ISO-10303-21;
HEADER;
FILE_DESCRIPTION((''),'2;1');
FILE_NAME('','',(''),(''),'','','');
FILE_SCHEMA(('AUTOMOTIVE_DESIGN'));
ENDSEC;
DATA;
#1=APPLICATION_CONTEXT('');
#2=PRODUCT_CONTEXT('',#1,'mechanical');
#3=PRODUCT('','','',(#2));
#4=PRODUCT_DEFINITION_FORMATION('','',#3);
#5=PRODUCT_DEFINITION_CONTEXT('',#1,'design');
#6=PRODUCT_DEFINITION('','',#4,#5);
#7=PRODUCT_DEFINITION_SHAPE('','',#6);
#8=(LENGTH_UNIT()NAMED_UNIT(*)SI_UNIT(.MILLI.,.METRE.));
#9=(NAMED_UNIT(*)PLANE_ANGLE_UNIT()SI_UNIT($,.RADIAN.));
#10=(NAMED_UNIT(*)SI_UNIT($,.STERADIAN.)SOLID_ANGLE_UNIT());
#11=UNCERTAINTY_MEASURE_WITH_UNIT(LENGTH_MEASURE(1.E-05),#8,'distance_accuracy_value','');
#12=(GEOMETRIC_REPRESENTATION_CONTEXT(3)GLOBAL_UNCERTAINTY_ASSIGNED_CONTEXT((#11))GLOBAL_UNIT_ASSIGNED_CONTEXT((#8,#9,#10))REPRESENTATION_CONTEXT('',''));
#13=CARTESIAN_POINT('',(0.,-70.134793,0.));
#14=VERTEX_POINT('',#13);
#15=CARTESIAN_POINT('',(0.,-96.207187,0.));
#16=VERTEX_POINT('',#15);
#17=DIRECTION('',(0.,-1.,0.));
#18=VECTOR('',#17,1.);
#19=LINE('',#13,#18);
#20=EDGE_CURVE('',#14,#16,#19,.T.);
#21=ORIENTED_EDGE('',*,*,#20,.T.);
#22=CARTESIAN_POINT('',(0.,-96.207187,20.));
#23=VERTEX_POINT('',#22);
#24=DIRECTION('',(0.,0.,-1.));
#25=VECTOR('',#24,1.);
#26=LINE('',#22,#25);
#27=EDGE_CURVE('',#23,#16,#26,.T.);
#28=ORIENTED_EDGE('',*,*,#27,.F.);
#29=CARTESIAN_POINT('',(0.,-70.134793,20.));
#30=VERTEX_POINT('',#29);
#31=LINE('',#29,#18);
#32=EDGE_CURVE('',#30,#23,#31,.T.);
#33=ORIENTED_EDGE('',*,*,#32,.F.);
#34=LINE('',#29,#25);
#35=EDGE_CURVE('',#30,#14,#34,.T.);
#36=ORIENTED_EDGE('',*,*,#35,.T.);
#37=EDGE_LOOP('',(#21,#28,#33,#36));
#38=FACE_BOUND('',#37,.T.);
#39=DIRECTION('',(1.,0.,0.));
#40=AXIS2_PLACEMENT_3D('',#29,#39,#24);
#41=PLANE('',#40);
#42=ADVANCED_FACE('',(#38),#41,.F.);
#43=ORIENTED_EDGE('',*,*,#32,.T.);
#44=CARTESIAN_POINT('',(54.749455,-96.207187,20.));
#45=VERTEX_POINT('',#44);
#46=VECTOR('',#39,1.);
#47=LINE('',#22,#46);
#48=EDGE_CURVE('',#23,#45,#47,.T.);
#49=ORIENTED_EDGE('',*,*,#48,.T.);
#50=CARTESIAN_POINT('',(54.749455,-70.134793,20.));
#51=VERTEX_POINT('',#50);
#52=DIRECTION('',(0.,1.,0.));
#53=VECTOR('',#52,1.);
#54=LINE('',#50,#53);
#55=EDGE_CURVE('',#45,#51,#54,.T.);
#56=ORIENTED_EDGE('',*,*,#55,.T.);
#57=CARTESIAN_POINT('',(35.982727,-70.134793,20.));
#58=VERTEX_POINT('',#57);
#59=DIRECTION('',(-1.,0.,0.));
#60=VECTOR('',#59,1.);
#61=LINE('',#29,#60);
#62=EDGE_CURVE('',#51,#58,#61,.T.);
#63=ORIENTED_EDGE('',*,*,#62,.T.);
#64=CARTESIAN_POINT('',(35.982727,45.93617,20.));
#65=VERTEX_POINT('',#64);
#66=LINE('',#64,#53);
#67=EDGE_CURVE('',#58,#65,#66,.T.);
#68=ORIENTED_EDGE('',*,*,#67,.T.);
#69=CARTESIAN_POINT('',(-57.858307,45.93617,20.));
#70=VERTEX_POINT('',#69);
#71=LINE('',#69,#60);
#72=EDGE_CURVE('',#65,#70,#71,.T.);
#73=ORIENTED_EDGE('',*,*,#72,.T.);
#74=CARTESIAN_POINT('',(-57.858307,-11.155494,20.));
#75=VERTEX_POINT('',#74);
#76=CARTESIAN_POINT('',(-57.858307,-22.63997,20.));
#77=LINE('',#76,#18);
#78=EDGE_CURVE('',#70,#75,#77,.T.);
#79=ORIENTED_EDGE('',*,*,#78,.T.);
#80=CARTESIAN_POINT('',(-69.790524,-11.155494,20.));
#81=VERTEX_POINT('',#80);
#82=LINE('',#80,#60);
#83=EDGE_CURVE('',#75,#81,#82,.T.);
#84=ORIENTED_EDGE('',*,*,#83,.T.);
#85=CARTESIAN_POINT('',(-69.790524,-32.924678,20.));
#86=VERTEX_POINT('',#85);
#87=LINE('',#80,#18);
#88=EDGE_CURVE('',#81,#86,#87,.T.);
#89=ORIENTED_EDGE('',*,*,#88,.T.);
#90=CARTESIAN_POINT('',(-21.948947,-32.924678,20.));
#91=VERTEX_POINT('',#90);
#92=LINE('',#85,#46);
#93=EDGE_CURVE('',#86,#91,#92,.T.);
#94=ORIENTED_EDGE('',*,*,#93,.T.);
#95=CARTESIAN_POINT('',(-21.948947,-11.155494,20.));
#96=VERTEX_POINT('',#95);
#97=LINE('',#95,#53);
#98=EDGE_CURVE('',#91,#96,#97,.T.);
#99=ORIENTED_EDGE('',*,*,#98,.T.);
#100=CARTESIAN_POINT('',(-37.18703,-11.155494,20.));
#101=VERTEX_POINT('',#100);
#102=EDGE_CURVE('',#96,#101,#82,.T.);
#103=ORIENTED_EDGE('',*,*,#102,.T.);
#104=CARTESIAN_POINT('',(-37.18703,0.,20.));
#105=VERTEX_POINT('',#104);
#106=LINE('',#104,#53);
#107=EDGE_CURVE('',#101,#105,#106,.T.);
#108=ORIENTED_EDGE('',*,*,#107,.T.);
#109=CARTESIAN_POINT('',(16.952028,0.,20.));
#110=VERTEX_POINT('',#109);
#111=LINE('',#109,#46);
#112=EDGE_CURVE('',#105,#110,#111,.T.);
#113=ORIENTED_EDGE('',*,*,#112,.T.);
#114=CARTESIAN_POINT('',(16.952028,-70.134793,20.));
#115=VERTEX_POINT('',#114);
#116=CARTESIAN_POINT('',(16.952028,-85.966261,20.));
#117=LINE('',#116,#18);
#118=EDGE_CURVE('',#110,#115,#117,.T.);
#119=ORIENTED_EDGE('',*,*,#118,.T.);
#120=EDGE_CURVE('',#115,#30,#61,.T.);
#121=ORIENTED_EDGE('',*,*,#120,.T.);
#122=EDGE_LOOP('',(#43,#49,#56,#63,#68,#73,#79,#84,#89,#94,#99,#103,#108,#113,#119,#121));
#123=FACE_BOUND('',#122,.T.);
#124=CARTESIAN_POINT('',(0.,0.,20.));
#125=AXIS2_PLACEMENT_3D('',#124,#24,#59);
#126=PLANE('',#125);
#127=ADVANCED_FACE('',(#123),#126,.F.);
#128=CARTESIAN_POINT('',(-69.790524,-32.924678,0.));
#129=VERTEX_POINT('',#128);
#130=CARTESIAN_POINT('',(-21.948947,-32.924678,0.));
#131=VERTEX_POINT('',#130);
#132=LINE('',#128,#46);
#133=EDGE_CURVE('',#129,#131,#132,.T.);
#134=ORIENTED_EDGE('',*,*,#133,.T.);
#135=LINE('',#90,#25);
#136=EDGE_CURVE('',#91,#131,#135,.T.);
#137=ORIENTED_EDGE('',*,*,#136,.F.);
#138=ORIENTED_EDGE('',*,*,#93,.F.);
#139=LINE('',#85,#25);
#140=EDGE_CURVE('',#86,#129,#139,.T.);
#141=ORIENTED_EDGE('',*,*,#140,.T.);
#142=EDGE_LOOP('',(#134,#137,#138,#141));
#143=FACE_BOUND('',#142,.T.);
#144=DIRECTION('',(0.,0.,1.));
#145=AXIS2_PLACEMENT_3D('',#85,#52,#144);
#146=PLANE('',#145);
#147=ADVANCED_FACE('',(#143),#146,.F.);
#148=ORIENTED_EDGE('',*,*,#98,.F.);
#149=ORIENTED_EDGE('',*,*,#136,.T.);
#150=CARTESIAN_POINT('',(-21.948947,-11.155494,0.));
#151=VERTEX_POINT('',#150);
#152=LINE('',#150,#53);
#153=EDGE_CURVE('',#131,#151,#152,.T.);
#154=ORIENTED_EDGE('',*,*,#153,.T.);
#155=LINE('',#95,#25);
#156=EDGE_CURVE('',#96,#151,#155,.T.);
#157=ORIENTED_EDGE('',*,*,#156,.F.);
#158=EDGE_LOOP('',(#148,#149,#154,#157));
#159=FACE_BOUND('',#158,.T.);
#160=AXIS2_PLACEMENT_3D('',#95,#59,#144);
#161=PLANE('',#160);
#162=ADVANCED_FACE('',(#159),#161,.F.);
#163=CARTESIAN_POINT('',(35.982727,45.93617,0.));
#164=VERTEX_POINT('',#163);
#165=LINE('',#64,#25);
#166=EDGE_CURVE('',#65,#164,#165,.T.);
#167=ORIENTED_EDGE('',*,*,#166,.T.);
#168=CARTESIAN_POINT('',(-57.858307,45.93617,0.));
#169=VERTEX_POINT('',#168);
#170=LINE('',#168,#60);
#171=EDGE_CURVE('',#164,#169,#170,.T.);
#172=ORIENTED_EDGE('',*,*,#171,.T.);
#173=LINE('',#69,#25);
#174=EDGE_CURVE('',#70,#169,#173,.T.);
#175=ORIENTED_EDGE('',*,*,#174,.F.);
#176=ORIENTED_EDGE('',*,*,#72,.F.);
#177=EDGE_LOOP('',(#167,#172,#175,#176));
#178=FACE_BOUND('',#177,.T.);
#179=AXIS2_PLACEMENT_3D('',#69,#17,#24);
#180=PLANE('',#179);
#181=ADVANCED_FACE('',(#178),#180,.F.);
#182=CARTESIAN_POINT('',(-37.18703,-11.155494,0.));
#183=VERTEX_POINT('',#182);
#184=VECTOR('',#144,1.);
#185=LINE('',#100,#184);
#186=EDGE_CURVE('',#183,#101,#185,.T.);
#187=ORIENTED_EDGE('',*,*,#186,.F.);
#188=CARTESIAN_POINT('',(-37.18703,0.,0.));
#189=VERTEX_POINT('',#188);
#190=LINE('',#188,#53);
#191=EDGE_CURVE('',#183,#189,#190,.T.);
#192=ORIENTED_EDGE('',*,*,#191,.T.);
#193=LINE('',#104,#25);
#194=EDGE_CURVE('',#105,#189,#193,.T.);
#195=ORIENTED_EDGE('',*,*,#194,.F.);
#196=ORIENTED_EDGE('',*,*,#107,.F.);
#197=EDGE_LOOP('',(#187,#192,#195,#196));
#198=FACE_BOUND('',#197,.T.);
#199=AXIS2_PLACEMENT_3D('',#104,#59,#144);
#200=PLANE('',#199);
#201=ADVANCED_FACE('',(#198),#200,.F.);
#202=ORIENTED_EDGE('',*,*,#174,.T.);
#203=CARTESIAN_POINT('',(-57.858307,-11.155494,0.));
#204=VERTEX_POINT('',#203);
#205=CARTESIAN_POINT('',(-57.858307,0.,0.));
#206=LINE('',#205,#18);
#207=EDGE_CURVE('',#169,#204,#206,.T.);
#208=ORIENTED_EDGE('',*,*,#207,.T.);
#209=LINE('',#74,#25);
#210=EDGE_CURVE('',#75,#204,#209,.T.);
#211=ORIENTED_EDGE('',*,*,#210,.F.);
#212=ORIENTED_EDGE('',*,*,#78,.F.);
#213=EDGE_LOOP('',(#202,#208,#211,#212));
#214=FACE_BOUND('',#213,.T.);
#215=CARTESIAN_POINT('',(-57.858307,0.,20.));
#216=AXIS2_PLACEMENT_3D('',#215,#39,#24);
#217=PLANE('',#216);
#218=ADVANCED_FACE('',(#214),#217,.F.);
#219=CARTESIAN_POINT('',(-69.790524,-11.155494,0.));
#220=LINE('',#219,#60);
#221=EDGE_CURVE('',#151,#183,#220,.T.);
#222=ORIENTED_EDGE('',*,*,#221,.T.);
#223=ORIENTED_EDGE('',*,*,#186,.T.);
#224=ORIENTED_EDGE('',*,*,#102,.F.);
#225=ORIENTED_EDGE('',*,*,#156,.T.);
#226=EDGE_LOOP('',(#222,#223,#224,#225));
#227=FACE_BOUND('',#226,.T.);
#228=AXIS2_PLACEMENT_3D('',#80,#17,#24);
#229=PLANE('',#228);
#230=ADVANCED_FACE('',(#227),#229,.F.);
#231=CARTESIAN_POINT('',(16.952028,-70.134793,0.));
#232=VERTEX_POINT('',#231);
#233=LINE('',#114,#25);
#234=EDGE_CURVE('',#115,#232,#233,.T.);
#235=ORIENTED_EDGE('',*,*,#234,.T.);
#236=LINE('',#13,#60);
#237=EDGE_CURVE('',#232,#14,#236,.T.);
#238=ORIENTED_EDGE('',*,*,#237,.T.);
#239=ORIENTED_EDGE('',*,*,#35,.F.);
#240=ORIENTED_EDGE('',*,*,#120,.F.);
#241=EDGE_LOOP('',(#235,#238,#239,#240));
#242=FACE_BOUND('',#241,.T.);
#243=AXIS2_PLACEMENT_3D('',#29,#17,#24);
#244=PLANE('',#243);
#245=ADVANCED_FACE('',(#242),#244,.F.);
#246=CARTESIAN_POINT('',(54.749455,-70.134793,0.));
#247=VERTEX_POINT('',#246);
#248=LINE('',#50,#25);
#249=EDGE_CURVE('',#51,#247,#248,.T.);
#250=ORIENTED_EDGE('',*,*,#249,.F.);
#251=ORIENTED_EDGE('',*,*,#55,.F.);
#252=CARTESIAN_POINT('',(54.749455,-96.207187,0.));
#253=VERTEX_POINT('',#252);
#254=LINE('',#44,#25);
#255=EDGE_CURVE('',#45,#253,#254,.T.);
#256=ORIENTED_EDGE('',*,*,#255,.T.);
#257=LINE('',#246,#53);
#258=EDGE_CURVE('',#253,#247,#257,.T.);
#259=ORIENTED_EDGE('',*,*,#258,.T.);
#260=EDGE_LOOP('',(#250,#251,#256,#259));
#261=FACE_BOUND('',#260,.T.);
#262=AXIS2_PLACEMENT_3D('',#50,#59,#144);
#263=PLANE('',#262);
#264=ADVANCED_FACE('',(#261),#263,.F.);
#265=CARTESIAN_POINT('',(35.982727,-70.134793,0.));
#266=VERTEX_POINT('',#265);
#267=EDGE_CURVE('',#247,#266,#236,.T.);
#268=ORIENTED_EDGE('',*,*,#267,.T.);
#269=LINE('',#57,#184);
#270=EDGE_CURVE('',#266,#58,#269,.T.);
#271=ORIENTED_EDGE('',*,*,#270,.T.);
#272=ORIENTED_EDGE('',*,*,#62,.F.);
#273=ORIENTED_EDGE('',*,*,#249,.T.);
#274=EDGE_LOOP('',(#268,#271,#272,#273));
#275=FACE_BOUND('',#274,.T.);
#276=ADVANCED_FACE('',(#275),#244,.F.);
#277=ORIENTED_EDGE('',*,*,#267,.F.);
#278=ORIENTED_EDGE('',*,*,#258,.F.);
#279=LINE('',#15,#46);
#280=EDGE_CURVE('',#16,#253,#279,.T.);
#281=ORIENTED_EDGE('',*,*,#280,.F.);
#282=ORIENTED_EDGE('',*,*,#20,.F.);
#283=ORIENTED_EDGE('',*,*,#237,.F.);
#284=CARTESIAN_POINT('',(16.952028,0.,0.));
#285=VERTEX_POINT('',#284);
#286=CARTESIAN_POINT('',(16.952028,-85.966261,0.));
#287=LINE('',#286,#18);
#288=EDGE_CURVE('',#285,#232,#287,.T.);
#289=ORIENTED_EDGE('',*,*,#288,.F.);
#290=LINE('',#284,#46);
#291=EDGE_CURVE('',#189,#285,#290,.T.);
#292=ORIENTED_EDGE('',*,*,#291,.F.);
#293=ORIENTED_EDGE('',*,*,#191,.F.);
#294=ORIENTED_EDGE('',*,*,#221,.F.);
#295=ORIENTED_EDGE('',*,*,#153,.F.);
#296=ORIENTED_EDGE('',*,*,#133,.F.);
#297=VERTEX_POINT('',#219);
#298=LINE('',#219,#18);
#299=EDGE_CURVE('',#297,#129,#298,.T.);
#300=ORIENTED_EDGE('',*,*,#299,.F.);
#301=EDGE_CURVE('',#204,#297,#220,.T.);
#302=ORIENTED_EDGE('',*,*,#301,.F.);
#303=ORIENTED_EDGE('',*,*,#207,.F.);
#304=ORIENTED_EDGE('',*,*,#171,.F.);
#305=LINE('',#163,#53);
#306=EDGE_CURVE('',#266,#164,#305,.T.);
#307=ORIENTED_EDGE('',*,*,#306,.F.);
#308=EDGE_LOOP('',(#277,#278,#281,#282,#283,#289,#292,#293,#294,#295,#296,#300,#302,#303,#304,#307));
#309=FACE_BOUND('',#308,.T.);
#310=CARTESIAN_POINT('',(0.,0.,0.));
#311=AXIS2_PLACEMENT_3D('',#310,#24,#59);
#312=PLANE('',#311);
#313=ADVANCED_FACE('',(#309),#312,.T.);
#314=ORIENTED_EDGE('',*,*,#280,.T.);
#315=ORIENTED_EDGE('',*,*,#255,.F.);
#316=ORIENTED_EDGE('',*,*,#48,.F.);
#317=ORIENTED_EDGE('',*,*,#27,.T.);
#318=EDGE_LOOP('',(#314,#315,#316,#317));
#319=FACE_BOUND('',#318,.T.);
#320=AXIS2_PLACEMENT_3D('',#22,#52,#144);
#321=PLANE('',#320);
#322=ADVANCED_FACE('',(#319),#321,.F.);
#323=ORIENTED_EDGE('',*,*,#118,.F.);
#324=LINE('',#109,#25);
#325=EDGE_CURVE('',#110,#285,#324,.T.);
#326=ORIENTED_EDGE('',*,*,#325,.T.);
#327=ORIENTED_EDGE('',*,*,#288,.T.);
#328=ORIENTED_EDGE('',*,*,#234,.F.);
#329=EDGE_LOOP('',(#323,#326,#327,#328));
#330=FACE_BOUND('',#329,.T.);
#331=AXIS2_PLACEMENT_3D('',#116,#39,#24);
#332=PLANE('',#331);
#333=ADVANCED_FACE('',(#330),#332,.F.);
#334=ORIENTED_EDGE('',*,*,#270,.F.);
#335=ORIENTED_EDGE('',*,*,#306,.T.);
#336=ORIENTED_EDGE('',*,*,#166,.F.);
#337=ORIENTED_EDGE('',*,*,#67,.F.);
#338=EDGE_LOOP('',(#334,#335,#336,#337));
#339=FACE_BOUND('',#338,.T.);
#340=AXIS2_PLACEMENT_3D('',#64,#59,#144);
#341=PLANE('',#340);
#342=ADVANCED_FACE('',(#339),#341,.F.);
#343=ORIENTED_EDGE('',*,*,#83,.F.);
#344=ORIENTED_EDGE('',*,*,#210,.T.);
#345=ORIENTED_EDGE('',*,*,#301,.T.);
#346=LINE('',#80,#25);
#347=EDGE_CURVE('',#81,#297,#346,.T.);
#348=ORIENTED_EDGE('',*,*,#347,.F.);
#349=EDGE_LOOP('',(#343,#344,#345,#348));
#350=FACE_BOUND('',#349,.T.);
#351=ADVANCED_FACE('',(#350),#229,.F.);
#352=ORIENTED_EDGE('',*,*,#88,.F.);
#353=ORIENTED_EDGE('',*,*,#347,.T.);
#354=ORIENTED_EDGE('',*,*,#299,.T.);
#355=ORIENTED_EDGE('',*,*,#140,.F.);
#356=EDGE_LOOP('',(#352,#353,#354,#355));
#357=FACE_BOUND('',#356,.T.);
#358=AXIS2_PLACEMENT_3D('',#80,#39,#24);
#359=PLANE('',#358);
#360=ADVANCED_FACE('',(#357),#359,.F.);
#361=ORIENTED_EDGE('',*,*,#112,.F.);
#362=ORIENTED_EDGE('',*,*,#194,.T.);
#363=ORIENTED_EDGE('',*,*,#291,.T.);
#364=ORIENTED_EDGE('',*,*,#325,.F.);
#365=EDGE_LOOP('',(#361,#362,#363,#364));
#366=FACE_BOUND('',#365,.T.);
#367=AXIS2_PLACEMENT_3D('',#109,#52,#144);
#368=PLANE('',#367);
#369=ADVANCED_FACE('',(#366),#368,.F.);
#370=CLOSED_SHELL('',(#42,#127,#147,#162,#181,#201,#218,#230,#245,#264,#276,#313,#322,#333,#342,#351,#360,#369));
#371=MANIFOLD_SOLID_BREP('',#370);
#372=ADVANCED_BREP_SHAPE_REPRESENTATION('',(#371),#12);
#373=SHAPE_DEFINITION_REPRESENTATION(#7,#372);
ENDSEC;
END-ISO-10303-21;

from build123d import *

# Parameters (mm, degrees)
BOSS_EXTRUDE1_DEPTH = 20
SKETCH3_W           = 47.8415773
SKETCH3_H           = 21.769183321
SKETCH3_W_2         = 54.74945498
SKETCH3_H_2         = 26.072393978
BOSS_EXTRUDE2_DEPTH = 20


with BuildPart() as part:
    # Sketch1 → Boss-Extrude1 (new body)
    with BuildSketch(Plane.XY):
        Polygon((-57.85830676, 0), (-57.85830676, 45.936170213), (35.982726675, 45.936170213), (35.982726675, -85.966261398), (16.952027587, -85.966261398), (16.952027587, 0), (-37.187030164, 0), (-37.187030164, -22.639969605), (-57.85830676, -22.639969605), align=None)
    extrude(amount=BOSS_EXTRUDE1_DEPTH)

    # Sketch3 → Boss-Extrude2 (add)
    with BuildSketch(Plane.XY):
        with Locations((-45.869735372, -22.040085901)):
            Rectangle(SKETCH3_W, SKETCH3_H)
        with Locations((27.37472749, -83.170990229)):
            Rectangle(SKETCH3_W_2, SKETCH3_H_2)
    extrude(amount=BOSS_EXTRUDE2_DEPTH)


solid = part.part
